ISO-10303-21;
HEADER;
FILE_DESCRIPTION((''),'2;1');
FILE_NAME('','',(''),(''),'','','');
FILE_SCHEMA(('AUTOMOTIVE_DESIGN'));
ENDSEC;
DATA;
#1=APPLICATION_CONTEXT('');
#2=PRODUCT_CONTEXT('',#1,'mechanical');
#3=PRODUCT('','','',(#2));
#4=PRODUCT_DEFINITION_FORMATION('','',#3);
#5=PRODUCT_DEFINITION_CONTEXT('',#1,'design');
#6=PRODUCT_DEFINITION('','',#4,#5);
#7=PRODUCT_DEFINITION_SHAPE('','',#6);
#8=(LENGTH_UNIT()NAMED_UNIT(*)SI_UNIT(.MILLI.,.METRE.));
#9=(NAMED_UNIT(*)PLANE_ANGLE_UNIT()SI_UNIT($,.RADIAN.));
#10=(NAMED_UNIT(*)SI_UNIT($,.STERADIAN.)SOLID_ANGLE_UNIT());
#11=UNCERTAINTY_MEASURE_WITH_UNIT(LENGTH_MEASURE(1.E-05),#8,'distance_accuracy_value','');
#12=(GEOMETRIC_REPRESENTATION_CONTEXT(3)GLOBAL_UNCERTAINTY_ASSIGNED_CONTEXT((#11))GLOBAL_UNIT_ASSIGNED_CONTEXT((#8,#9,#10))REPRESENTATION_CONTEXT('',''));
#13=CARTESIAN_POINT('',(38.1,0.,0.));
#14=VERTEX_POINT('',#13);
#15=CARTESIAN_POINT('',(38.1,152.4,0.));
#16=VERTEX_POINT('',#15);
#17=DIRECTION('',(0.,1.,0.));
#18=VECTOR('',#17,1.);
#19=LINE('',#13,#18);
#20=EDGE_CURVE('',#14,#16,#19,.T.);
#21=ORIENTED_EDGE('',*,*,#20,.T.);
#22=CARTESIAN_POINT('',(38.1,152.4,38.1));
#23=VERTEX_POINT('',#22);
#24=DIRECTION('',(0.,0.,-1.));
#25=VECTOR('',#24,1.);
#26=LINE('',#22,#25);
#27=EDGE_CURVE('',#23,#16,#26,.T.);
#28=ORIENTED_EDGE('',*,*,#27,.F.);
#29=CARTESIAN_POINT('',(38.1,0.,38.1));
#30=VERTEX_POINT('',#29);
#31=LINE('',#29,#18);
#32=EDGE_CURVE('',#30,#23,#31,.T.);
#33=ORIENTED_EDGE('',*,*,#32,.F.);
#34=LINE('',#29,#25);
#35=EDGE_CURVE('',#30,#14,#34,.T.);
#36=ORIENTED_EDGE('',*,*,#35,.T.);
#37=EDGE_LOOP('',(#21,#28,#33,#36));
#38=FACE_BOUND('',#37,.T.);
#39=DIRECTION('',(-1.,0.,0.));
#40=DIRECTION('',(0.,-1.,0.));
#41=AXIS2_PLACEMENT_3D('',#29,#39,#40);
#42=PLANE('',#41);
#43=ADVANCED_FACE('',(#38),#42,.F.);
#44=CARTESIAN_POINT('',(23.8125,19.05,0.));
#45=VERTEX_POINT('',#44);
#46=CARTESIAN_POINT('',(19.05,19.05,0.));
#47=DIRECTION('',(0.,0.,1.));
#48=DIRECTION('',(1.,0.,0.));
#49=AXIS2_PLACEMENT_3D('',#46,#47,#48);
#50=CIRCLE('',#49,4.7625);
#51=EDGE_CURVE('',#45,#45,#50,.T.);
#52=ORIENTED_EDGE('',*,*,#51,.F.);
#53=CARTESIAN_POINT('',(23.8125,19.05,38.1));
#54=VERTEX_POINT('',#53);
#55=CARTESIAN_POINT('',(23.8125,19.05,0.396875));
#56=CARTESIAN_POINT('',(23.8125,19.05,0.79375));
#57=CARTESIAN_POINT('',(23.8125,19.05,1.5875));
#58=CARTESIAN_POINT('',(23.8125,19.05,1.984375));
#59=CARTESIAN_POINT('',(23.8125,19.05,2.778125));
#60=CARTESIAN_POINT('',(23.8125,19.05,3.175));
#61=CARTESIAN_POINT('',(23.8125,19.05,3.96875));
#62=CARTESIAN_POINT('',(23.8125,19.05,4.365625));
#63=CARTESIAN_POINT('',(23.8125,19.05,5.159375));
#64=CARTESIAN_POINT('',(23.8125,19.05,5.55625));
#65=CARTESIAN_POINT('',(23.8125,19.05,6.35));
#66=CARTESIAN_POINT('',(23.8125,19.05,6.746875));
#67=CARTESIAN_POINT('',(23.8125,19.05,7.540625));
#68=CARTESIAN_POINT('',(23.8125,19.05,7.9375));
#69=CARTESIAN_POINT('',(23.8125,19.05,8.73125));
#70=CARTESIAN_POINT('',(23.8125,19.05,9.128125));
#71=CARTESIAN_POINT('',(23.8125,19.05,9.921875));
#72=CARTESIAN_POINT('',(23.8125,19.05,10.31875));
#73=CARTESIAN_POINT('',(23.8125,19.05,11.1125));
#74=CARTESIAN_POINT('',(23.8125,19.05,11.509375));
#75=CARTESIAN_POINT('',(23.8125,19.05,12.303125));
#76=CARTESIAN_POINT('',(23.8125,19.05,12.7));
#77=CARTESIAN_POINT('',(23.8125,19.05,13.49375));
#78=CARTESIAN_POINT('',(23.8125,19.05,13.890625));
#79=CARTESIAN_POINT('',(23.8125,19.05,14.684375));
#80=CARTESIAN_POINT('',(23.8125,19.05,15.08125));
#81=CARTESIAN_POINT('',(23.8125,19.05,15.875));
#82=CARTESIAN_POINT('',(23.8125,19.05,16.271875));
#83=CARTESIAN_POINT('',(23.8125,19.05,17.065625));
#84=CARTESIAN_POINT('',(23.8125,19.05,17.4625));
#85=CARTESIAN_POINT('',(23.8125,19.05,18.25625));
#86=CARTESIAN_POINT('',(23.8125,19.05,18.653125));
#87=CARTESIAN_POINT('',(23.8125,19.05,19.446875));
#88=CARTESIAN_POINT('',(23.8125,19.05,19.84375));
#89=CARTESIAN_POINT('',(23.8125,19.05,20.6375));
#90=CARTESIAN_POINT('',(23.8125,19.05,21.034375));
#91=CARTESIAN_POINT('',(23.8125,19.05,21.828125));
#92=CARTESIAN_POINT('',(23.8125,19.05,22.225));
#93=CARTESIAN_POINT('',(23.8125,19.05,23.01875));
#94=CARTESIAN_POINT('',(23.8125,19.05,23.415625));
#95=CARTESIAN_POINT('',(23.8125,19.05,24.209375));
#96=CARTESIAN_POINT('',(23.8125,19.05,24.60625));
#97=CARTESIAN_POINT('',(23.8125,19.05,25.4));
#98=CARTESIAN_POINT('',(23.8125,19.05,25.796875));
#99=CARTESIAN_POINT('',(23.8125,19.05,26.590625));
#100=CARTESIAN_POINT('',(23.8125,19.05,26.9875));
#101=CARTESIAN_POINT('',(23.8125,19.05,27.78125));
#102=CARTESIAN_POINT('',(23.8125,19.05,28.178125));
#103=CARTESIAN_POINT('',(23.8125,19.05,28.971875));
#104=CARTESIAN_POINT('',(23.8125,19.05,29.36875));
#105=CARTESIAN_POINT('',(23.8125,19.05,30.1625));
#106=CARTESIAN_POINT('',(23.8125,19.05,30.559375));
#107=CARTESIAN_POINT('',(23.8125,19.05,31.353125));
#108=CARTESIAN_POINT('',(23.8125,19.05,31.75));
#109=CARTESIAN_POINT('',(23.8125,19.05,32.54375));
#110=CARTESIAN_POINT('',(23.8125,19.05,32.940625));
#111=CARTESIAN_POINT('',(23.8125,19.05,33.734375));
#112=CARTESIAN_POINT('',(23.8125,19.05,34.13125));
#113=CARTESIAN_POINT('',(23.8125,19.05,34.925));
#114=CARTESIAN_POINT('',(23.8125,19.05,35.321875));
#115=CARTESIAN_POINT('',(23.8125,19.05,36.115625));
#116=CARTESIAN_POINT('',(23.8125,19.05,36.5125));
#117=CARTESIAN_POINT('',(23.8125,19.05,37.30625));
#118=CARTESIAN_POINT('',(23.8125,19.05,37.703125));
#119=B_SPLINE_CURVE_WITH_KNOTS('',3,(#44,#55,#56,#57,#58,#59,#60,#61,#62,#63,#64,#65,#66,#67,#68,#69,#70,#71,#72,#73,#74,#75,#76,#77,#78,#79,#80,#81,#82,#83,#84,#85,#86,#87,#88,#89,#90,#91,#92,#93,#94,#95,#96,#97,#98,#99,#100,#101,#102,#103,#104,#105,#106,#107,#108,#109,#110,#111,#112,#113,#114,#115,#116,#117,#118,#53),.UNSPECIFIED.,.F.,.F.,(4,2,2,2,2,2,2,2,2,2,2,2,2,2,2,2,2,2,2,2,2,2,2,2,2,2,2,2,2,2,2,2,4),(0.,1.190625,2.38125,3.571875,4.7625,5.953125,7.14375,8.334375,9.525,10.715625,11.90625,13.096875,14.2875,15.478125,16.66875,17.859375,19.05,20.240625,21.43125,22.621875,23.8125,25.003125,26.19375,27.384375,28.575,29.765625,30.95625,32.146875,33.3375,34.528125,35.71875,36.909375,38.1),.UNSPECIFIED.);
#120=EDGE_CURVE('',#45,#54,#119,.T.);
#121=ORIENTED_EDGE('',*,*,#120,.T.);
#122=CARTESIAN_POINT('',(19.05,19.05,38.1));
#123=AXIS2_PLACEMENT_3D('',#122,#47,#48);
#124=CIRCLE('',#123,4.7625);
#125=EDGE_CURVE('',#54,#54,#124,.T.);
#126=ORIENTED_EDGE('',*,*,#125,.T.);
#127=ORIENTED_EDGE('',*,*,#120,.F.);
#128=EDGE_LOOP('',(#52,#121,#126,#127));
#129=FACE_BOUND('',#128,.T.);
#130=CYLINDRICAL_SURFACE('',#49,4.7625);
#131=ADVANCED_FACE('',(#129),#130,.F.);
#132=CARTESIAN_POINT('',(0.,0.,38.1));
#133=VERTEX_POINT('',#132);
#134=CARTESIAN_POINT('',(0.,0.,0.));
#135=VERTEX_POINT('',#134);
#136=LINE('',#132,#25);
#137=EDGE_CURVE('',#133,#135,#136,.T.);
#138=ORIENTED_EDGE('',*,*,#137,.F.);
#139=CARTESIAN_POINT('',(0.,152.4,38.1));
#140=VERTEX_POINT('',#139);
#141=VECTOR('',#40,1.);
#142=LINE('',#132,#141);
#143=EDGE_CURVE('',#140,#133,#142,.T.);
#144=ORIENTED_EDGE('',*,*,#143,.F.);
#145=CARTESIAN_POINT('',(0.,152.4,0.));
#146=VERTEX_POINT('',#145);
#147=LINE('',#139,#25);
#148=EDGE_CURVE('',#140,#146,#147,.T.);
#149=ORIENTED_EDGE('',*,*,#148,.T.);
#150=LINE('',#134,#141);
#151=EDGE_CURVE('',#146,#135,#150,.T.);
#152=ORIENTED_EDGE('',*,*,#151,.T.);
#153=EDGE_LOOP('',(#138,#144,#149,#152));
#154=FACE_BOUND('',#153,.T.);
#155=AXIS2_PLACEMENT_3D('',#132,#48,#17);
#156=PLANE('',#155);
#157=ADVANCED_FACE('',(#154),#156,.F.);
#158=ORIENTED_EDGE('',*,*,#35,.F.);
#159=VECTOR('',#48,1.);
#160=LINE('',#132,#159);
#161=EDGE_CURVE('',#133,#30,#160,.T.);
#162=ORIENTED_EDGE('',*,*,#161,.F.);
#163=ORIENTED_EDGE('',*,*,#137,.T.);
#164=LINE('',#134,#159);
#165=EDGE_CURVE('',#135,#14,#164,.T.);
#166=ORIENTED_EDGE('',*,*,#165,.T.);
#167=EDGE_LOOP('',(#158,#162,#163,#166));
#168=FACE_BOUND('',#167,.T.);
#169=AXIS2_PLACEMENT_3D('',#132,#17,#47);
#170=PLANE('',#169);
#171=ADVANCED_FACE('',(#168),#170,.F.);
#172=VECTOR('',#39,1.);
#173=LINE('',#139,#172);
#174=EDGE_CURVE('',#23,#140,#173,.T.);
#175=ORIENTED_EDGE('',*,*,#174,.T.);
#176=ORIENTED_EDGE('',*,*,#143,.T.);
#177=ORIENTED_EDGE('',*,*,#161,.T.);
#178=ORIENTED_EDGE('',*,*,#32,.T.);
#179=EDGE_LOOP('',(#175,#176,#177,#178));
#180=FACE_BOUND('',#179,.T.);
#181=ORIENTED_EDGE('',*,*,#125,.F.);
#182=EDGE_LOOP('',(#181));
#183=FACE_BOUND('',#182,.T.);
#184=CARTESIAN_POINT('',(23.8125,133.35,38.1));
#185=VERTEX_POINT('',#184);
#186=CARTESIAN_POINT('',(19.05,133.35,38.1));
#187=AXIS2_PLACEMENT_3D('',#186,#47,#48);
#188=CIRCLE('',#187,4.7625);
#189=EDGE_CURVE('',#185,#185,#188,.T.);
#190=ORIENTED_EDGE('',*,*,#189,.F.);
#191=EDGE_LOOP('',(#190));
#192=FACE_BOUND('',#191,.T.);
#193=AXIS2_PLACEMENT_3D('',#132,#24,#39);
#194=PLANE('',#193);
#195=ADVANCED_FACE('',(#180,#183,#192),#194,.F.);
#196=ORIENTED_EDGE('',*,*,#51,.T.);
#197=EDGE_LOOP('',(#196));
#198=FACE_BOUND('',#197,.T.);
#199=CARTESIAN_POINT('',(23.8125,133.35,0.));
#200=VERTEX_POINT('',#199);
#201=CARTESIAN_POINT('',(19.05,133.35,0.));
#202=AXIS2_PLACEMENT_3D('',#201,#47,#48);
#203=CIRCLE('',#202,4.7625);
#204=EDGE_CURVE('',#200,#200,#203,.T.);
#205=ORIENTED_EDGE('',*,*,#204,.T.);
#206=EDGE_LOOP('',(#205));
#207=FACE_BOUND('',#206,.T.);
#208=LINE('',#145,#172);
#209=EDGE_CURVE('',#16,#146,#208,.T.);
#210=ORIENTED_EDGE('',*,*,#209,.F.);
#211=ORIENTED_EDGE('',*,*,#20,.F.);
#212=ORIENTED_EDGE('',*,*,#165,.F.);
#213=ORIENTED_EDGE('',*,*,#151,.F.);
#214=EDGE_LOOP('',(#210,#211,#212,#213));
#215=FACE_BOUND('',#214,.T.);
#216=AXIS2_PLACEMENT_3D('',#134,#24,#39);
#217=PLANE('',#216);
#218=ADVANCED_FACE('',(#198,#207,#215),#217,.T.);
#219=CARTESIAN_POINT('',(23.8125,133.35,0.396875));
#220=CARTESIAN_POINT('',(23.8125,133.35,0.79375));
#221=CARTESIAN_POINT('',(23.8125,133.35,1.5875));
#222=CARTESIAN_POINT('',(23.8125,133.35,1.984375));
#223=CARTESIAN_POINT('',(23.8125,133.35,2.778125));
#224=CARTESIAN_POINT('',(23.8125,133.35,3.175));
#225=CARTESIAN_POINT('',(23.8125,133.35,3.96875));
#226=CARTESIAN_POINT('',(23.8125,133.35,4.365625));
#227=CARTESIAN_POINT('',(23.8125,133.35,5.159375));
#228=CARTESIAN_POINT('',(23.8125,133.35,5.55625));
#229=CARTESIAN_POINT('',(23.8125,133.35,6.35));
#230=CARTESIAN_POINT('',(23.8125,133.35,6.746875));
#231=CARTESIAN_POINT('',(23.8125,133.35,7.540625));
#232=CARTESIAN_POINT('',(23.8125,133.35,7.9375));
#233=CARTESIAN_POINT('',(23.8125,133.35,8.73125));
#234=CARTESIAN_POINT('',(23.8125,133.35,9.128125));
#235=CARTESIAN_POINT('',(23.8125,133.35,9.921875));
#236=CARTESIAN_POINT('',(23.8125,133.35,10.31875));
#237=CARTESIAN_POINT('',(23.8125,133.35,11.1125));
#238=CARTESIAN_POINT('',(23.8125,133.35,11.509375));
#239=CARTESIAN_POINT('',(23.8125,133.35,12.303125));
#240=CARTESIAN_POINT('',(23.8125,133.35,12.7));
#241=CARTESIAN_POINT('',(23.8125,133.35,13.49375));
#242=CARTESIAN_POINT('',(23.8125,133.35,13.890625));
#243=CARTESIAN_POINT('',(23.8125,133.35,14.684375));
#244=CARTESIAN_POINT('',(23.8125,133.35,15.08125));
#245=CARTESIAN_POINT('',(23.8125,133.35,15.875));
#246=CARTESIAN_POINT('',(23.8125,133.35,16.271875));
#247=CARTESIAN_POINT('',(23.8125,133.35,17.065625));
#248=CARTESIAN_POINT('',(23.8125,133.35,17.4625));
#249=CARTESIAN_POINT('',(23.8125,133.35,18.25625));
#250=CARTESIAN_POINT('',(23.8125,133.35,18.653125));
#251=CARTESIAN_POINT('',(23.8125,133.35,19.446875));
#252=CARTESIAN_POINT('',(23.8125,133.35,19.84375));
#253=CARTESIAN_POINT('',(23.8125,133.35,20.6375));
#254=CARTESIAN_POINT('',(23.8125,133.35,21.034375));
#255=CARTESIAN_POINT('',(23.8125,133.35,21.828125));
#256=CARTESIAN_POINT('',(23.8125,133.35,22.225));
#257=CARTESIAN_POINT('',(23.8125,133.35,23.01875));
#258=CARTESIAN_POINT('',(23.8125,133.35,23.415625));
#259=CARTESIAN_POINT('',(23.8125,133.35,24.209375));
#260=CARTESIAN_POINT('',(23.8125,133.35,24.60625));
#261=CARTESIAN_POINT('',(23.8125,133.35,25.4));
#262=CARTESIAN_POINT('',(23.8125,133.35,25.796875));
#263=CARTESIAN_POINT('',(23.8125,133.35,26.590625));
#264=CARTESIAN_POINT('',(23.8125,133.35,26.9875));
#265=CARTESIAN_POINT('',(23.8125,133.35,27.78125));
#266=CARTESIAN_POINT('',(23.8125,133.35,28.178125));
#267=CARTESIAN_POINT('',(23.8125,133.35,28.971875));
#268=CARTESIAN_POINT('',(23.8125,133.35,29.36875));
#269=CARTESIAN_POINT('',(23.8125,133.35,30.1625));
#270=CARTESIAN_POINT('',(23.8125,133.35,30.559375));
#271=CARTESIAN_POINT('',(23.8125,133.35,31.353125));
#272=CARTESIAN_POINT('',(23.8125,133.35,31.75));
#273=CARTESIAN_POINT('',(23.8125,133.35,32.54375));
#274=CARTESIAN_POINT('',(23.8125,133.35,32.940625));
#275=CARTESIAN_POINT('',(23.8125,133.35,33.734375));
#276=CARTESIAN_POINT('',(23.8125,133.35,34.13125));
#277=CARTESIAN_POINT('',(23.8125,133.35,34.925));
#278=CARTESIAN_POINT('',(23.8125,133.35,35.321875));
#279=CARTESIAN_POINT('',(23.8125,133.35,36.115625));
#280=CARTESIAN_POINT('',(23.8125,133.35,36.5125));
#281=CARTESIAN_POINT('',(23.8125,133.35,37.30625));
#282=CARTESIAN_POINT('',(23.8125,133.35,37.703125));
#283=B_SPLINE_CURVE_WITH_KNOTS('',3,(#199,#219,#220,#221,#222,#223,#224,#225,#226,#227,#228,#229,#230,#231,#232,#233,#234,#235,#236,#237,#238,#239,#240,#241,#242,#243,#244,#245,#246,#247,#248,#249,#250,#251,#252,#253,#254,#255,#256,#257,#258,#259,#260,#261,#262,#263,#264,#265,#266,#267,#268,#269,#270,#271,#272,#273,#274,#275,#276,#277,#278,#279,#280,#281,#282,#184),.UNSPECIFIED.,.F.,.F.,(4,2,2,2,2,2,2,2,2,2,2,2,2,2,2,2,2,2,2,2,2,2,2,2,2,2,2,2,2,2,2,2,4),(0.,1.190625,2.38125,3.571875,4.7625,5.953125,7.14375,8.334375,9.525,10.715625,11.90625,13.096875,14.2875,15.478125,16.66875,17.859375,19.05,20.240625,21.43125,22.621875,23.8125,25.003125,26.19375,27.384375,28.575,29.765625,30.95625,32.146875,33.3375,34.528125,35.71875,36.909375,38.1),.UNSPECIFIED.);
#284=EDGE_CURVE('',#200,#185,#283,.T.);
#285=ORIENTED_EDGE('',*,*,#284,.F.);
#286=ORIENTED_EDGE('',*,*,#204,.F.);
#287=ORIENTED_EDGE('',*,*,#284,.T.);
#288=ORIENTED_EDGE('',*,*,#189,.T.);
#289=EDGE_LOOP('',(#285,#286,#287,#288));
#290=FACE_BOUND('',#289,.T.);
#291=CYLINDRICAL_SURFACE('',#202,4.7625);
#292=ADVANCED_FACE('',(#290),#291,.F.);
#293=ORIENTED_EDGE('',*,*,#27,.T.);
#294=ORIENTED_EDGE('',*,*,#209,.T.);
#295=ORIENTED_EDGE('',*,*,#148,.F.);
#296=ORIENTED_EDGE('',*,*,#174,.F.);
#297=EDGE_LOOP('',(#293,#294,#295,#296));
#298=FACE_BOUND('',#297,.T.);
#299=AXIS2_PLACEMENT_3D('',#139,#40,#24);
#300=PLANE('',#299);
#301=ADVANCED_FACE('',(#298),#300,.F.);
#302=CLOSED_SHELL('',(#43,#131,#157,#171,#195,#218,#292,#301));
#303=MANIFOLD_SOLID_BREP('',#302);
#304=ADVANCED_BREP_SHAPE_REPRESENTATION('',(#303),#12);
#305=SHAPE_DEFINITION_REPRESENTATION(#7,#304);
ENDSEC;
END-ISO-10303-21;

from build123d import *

# Parameters (mm, degrees)
SKETCH1_W           = 38.1
SKETCH1_H           = 152.4
BOSS_EXTRUDE1_DEPTH = 38.1
SKETCH2_R           = 4.7625
CUT_EXTRUDE1_DEPTH  = 162.644610179
SKETCH3_R           = 4.7625
CUT_EXTRUDE2_DEPTH  = 162.644610179


with BuildPart() as part:
    # Sketch1 → Boss-Extrude1 (new body)
    with BuildSketch(Plane.XY):
        with Locations((19.05, 76.2)):
            Rectangle(SKETCH1_W, SKETCH1_H)
    extrude(amount=BOSS_EXTRUDE1_DEPTH)

    # Sketch2 → Cut-Extrude1 (cut, through all)
    with BuildSketch(Plane.XY.offset(38.1)):
        with Locations((19.05, 133.35)):
            Circle(SKETCH2_R)
    extrude(amount=-CUT_EXTRUDE1_DEPTH, mode=Mode.SUBTRACT)

    # Sketch3 → Cut-Extrude2 (cut, through all)
    with BuildSketch(Plane.XY.offset(38.1)):
        with Locations((19.05, 19.05)):
            Circle(SKETCH3_R)
    extrude(amount=-CUT_EXTRUDE2_DEPTH, mode=Mode.SUBTRACT)


solid = part.part
